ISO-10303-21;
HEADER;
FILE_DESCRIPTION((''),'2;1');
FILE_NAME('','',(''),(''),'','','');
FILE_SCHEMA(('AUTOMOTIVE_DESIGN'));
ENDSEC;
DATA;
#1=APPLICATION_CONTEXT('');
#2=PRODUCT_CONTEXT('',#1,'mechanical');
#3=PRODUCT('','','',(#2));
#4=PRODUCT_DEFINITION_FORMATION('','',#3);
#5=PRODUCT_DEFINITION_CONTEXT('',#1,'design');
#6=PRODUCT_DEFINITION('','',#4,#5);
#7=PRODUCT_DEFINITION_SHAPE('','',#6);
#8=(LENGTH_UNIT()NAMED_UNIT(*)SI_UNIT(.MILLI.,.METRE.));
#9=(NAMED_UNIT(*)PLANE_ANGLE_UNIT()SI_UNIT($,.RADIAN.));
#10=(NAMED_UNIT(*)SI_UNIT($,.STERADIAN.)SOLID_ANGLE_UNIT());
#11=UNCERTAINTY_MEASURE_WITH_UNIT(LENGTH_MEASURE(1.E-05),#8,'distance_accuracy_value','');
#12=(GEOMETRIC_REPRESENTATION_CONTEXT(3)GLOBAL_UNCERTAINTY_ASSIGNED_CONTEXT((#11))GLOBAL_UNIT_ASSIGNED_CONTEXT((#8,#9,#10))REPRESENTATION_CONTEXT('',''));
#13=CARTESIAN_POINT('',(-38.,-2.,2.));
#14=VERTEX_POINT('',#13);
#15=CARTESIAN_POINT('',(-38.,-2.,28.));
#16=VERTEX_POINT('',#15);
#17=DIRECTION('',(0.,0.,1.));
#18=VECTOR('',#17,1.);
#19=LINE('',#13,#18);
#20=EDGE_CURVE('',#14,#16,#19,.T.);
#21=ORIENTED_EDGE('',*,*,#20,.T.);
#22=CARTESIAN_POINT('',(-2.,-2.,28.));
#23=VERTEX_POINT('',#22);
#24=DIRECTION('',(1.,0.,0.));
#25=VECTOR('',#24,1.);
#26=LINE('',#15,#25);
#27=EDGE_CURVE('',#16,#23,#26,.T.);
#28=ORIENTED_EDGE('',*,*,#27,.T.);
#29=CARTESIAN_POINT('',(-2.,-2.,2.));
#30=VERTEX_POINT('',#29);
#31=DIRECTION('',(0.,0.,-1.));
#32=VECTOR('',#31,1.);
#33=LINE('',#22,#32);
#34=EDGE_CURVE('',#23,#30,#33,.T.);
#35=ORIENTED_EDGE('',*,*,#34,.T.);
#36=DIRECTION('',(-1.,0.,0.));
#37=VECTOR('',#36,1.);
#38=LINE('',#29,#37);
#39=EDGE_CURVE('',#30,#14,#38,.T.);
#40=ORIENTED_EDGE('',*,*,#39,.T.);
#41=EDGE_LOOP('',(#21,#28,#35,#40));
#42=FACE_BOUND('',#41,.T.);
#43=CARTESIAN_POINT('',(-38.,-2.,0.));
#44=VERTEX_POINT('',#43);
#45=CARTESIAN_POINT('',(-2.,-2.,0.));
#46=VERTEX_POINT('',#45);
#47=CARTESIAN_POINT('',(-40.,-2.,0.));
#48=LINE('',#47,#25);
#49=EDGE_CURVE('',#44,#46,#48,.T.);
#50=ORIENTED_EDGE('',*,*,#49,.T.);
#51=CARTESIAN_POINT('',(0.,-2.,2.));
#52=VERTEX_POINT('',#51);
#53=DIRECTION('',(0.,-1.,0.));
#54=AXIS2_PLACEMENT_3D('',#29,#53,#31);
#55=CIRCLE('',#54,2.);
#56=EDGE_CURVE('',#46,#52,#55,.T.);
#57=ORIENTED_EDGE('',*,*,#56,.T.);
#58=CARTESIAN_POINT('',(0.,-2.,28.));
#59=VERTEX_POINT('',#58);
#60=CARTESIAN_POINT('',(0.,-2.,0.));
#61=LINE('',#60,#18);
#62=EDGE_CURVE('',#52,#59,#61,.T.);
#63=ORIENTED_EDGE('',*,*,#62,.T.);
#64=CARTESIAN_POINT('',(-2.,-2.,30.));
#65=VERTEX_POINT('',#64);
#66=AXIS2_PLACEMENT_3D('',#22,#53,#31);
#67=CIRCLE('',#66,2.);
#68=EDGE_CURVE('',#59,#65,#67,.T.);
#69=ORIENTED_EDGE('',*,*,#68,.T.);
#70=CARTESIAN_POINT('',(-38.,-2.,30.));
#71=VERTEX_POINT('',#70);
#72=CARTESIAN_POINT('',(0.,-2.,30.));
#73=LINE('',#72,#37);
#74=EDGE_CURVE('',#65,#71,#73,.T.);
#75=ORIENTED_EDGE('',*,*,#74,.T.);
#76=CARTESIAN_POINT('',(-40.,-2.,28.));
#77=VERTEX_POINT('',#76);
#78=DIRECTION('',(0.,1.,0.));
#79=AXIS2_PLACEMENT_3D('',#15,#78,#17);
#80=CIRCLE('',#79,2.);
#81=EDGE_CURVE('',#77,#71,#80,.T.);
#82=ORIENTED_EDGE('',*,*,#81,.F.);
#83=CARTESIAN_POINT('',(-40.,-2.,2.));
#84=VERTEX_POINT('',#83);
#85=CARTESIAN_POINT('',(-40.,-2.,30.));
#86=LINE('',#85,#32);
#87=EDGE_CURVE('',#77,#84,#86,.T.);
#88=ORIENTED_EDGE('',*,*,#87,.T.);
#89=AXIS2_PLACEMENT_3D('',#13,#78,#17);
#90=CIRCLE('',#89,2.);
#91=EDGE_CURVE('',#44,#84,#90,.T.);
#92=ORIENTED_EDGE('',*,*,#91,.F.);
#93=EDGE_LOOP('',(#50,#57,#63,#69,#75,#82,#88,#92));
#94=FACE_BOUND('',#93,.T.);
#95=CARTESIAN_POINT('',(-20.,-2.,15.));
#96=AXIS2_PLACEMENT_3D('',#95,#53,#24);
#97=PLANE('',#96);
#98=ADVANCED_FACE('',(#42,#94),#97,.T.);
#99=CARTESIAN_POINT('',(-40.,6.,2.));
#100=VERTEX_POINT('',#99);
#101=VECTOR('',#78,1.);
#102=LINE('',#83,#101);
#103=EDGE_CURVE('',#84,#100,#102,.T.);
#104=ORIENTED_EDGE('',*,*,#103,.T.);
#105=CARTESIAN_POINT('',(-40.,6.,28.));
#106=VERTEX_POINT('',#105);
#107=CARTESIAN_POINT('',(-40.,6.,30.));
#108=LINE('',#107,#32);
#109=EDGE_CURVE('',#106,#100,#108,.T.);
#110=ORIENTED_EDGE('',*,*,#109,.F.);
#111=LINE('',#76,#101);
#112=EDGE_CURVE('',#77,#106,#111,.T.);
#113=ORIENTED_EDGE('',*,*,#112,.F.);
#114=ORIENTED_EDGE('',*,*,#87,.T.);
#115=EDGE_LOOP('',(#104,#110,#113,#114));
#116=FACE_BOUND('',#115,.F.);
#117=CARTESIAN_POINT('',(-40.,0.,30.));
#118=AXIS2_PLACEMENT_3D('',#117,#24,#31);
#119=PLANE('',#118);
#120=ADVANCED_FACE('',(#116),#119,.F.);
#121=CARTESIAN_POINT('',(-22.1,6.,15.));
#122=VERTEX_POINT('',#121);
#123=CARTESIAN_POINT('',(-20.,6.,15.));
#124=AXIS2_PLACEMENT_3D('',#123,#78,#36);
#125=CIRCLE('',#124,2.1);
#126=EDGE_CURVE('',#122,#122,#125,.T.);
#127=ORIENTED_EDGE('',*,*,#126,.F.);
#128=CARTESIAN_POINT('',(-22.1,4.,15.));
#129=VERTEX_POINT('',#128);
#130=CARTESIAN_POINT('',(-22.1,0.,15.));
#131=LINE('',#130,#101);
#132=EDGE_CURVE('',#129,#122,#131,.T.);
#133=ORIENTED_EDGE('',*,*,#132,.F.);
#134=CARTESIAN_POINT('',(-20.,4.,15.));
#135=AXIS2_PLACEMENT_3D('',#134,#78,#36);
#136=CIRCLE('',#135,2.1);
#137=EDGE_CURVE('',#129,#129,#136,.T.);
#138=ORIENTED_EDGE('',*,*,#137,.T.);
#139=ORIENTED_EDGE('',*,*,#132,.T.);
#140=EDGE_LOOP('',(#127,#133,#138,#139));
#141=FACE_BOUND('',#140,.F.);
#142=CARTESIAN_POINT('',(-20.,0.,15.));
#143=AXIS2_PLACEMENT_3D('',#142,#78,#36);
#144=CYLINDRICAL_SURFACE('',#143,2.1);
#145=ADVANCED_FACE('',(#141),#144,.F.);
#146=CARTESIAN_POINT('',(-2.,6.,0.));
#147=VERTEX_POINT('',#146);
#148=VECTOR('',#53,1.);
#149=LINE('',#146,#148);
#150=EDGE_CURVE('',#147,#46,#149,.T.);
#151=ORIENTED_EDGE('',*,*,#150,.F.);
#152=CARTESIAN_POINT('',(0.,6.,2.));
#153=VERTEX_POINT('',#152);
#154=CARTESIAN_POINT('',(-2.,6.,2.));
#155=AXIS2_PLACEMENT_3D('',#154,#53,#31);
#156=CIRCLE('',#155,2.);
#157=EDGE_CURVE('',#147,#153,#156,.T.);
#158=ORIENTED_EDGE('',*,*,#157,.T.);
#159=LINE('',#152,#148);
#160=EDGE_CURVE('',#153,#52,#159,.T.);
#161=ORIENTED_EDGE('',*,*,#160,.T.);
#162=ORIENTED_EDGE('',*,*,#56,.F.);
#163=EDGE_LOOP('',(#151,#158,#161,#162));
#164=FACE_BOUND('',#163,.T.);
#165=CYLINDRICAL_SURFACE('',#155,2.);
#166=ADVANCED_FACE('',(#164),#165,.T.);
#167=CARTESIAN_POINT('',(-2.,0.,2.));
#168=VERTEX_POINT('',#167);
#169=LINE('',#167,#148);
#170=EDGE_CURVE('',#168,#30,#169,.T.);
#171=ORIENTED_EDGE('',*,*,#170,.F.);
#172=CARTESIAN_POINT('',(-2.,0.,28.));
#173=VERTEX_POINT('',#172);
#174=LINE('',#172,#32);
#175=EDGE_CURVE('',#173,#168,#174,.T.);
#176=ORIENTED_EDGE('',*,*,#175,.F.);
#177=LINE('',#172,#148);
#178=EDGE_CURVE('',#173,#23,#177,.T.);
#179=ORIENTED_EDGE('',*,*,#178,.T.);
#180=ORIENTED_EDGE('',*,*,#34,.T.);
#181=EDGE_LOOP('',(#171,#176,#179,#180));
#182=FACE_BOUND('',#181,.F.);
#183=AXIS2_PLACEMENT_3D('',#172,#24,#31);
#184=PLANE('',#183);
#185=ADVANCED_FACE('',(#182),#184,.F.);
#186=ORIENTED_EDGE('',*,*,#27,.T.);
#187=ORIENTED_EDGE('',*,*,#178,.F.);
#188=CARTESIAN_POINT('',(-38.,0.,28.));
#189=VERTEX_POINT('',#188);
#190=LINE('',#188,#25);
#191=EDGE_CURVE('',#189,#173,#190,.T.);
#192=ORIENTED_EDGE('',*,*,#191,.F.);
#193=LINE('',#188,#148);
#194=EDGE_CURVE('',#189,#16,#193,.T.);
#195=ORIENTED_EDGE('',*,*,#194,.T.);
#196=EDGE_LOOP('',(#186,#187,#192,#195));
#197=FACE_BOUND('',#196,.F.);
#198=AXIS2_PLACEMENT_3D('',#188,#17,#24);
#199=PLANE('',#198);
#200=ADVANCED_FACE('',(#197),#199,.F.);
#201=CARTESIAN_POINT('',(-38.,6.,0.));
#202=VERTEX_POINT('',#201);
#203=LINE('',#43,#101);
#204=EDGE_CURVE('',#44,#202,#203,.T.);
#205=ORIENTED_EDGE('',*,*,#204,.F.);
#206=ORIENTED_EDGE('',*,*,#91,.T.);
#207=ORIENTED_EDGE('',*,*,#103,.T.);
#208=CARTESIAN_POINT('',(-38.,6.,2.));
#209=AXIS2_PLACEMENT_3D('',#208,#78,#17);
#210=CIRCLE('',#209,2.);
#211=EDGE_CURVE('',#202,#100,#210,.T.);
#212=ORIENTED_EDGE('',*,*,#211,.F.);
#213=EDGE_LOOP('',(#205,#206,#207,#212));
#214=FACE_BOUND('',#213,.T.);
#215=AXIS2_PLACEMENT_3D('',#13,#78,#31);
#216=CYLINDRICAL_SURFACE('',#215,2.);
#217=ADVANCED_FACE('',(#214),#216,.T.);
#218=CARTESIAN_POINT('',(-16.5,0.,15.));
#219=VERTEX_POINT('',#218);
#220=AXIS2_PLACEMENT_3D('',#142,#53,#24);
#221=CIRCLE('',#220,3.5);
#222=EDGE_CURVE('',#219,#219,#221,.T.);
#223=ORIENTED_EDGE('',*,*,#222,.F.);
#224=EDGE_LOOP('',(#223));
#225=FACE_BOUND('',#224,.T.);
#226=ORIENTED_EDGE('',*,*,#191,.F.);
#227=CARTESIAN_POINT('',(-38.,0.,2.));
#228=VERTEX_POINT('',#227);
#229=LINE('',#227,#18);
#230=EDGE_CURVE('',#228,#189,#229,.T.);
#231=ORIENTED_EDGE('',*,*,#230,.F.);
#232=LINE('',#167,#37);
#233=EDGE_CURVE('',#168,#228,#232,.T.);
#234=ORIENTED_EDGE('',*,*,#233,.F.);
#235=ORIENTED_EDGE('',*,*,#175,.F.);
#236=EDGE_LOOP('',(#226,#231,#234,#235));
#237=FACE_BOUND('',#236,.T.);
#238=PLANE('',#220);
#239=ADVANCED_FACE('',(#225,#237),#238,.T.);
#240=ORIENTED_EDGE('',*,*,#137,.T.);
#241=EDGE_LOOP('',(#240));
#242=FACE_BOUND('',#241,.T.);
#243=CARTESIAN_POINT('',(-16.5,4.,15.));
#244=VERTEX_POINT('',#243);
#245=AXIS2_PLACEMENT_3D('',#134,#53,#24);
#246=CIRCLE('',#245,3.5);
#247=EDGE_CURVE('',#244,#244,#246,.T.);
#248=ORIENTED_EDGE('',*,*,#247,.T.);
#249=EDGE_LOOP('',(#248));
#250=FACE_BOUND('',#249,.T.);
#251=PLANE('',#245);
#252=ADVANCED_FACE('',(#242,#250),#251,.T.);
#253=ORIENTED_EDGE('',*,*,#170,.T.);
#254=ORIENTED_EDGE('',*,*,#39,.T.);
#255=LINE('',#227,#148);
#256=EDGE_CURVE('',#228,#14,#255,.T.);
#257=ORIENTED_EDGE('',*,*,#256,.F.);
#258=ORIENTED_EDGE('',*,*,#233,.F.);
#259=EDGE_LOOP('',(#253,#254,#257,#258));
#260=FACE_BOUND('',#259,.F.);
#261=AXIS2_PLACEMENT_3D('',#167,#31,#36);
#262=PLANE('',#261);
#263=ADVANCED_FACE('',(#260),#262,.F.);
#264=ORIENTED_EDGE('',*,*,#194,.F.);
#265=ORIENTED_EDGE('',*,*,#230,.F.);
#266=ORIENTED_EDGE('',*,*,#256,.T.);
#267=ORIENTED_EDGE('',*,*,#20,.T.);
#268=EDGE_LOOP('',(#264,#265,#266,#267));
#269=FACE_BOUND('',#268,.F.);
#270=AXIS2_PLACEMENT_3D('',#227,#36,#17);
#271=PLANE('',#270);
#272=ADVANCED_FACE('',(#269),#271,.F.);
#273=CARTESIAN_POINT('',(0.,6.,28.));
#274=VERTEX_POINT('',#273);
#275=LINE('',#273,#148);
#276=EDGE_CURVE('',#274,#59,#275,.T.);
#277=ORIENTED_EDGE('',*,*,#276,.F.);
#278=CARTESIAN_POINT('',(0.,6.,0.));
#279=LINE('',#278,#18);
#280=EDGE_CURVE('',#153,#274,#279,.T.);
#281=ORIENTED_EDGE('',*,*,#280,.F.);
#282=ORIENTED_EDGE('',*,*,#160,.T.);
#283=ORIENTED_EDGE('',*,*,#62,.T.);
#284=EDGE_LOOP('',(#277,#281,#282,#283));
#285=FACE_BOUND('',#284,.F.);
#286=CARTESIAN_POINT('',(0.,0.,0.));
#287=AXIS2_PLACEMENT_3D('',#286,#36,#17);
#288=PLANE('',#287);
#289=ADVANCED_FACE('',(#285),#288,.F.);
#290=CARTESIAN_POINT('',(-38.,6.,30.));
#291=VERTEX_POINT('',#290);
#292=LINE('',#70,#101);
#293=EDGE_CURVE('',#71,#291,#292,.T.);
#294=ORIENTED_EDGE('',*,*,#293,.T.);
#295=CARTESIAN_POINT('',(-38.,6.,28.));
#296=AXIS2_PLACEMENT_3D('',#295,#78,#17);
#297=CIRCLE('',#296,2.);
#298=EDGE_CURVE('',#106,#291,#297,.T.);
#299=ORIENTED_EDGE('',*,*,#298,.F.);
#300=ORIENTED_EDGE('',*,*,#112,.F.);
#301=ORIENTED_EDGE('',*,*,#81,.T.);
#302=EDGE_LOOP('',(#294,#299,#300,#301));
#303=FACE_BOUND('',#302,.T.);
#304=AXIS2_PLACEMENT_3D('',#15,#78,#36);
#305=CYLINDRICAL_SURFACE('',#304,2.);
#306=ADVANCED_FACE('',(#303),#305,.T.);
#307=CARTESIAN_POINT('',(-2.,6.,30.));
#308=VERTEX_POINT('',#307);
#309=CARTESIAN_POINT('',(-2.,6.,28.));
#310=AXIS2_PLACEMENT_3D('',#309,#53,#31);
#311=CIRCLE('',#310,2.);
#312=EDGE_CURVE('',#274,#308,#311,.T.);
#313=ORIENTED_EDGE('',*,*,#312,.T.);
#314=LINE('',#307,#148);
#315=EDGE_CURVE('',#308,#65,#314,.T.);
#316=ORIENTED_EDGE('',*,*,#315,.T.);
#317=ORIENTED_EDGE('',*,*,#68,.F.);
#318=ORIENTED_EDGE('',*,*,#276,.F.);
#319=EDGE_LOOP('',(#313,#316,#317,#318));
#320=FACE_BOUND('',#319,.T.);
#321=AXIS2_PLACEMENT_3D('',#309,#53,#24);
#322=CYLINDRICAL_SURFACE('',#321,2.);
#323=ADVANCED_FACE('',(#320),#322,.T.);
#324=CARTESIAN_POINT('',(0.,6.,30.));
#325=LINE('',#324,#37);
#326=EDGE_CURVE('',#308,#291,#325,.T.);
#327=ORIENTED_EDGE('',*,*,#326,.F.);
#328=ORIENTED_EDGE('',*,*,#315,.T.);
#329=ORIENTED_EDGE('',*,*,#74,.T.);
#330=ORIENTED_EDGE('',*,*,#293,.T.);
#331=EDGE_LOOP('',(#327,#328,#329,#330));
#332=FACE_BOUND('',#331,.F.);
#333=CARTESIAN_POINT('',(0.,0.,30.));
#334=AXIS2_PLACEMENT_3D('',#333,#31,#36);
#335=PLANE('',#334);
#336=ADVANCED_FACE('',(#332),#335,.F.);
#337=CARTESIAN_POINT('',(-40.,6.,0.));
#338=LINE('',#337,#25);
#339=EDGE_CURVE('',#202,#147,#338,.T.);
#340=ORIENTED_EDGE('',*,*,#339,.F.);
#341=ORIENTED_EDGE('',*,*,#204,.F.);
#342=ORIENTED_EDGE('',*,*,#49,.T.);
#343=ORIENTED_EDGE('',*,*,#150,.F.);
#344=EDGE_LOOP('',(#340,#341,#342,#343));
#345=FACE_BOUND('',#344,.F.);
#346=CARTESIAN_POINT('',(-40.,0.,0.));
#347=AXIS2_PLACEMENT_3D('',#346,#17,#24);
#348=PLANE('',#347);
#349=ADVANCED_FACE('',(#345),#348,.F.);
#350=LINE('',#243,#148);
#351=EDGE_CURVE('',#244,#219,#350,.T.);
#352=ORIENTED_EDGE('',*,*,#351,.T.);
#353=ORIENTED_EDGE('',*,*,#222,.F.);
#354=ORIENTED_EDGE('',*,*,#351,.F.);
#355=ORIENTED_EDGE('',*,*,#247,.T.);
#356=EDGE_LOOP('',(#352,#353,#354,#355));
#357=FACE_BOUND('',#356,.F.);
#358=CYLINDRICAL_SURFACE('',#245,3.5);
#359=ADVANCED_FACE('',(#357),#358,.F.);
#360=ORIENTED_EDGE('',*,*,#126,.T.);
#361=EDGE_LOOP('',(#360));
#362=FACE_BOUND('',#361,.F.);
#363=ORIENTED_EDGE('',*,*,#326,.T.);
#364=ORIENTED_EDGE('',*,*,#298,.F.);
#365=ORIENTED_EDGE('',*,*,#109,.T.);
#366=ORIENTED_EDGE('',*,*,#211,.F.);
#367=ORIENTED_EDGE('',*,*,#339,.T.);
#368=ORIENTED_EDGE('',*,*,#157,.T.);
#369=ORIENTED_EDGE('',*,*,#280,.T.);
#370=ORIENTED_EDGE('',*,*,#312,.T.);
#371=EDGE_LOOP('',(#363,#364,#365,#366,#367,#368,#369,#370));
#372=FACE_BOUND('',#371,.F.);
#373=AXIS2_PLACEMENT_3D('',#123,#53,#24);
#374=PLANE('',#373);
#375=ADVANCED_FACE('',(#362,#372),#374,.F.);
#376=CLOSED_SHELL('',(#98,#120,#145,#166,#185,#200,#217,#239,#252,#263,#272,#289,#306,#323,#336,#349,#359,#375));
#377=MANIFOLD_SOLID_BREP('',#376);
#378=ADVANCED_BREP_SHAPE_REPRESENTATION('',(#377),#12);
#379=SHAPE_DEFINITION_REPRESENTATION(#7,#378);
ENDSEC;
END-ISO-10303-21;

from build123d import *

# Parameters (mm, degrees)
F1_DEPTH       = 6
F2_DEPTH       = 2
F3_D           = 4.2
F3_DEPTH       = 15
F3_CBORE_D     = 7
F3_CBORE_DEPTH = 4
F4_R           = 2


with BuildPart() as f1:
    # F0 (on Front) → F1 (new body)
    with BuildSketch(Plane.XZ):
        Polygon((-40, 0), (0, 0), (0, 30), (-40, 30), (-40, 15), align=None)
        Polygon((-38, 2), (-38, 15), (-38, 28), (-2, 28), (-2, 2), align=None, mode=Mode.SUBTRACT)
        Polygon((-38, 28), (-38, 15), (-38, 2), (-2, 2), (-2, 28), align=None)
    extrude(amount=-F1_DEPTH)

    # F0 (on Front) → F2 (join)
    with BuildSketch(Plane.XZ):
        Polygon((-40, 0), (0, 0), (0, 30), (-40, 30), (-40, 15), align=None)
        Polygon((-38, 2), (-38, 15), (-38, 28), (-2, 28), (-2, 2), align=None, mode=Mode.SUBTRACT)
    extrude(amount=F2_DEPTH)

    # F3
    with Locations(Plane.XZ):
        with Locations((-20, 15)):
            CounterBoreHole(F3_D / 2, F3_CBORE_D / 2, F3_CBORE_DEPTH, depth=F3_DEPTH)

    # F4
    f4_edges = [f1.edges().sort_by_distance(p)[0] for p in [
        (-40, 2, 30),
        (0, 2, 30),
        (0, 2, 0),
        (-40, 2, 0),
    ]]
    fillet(f4_edges, radius=F4_R)


solid = f1.part
